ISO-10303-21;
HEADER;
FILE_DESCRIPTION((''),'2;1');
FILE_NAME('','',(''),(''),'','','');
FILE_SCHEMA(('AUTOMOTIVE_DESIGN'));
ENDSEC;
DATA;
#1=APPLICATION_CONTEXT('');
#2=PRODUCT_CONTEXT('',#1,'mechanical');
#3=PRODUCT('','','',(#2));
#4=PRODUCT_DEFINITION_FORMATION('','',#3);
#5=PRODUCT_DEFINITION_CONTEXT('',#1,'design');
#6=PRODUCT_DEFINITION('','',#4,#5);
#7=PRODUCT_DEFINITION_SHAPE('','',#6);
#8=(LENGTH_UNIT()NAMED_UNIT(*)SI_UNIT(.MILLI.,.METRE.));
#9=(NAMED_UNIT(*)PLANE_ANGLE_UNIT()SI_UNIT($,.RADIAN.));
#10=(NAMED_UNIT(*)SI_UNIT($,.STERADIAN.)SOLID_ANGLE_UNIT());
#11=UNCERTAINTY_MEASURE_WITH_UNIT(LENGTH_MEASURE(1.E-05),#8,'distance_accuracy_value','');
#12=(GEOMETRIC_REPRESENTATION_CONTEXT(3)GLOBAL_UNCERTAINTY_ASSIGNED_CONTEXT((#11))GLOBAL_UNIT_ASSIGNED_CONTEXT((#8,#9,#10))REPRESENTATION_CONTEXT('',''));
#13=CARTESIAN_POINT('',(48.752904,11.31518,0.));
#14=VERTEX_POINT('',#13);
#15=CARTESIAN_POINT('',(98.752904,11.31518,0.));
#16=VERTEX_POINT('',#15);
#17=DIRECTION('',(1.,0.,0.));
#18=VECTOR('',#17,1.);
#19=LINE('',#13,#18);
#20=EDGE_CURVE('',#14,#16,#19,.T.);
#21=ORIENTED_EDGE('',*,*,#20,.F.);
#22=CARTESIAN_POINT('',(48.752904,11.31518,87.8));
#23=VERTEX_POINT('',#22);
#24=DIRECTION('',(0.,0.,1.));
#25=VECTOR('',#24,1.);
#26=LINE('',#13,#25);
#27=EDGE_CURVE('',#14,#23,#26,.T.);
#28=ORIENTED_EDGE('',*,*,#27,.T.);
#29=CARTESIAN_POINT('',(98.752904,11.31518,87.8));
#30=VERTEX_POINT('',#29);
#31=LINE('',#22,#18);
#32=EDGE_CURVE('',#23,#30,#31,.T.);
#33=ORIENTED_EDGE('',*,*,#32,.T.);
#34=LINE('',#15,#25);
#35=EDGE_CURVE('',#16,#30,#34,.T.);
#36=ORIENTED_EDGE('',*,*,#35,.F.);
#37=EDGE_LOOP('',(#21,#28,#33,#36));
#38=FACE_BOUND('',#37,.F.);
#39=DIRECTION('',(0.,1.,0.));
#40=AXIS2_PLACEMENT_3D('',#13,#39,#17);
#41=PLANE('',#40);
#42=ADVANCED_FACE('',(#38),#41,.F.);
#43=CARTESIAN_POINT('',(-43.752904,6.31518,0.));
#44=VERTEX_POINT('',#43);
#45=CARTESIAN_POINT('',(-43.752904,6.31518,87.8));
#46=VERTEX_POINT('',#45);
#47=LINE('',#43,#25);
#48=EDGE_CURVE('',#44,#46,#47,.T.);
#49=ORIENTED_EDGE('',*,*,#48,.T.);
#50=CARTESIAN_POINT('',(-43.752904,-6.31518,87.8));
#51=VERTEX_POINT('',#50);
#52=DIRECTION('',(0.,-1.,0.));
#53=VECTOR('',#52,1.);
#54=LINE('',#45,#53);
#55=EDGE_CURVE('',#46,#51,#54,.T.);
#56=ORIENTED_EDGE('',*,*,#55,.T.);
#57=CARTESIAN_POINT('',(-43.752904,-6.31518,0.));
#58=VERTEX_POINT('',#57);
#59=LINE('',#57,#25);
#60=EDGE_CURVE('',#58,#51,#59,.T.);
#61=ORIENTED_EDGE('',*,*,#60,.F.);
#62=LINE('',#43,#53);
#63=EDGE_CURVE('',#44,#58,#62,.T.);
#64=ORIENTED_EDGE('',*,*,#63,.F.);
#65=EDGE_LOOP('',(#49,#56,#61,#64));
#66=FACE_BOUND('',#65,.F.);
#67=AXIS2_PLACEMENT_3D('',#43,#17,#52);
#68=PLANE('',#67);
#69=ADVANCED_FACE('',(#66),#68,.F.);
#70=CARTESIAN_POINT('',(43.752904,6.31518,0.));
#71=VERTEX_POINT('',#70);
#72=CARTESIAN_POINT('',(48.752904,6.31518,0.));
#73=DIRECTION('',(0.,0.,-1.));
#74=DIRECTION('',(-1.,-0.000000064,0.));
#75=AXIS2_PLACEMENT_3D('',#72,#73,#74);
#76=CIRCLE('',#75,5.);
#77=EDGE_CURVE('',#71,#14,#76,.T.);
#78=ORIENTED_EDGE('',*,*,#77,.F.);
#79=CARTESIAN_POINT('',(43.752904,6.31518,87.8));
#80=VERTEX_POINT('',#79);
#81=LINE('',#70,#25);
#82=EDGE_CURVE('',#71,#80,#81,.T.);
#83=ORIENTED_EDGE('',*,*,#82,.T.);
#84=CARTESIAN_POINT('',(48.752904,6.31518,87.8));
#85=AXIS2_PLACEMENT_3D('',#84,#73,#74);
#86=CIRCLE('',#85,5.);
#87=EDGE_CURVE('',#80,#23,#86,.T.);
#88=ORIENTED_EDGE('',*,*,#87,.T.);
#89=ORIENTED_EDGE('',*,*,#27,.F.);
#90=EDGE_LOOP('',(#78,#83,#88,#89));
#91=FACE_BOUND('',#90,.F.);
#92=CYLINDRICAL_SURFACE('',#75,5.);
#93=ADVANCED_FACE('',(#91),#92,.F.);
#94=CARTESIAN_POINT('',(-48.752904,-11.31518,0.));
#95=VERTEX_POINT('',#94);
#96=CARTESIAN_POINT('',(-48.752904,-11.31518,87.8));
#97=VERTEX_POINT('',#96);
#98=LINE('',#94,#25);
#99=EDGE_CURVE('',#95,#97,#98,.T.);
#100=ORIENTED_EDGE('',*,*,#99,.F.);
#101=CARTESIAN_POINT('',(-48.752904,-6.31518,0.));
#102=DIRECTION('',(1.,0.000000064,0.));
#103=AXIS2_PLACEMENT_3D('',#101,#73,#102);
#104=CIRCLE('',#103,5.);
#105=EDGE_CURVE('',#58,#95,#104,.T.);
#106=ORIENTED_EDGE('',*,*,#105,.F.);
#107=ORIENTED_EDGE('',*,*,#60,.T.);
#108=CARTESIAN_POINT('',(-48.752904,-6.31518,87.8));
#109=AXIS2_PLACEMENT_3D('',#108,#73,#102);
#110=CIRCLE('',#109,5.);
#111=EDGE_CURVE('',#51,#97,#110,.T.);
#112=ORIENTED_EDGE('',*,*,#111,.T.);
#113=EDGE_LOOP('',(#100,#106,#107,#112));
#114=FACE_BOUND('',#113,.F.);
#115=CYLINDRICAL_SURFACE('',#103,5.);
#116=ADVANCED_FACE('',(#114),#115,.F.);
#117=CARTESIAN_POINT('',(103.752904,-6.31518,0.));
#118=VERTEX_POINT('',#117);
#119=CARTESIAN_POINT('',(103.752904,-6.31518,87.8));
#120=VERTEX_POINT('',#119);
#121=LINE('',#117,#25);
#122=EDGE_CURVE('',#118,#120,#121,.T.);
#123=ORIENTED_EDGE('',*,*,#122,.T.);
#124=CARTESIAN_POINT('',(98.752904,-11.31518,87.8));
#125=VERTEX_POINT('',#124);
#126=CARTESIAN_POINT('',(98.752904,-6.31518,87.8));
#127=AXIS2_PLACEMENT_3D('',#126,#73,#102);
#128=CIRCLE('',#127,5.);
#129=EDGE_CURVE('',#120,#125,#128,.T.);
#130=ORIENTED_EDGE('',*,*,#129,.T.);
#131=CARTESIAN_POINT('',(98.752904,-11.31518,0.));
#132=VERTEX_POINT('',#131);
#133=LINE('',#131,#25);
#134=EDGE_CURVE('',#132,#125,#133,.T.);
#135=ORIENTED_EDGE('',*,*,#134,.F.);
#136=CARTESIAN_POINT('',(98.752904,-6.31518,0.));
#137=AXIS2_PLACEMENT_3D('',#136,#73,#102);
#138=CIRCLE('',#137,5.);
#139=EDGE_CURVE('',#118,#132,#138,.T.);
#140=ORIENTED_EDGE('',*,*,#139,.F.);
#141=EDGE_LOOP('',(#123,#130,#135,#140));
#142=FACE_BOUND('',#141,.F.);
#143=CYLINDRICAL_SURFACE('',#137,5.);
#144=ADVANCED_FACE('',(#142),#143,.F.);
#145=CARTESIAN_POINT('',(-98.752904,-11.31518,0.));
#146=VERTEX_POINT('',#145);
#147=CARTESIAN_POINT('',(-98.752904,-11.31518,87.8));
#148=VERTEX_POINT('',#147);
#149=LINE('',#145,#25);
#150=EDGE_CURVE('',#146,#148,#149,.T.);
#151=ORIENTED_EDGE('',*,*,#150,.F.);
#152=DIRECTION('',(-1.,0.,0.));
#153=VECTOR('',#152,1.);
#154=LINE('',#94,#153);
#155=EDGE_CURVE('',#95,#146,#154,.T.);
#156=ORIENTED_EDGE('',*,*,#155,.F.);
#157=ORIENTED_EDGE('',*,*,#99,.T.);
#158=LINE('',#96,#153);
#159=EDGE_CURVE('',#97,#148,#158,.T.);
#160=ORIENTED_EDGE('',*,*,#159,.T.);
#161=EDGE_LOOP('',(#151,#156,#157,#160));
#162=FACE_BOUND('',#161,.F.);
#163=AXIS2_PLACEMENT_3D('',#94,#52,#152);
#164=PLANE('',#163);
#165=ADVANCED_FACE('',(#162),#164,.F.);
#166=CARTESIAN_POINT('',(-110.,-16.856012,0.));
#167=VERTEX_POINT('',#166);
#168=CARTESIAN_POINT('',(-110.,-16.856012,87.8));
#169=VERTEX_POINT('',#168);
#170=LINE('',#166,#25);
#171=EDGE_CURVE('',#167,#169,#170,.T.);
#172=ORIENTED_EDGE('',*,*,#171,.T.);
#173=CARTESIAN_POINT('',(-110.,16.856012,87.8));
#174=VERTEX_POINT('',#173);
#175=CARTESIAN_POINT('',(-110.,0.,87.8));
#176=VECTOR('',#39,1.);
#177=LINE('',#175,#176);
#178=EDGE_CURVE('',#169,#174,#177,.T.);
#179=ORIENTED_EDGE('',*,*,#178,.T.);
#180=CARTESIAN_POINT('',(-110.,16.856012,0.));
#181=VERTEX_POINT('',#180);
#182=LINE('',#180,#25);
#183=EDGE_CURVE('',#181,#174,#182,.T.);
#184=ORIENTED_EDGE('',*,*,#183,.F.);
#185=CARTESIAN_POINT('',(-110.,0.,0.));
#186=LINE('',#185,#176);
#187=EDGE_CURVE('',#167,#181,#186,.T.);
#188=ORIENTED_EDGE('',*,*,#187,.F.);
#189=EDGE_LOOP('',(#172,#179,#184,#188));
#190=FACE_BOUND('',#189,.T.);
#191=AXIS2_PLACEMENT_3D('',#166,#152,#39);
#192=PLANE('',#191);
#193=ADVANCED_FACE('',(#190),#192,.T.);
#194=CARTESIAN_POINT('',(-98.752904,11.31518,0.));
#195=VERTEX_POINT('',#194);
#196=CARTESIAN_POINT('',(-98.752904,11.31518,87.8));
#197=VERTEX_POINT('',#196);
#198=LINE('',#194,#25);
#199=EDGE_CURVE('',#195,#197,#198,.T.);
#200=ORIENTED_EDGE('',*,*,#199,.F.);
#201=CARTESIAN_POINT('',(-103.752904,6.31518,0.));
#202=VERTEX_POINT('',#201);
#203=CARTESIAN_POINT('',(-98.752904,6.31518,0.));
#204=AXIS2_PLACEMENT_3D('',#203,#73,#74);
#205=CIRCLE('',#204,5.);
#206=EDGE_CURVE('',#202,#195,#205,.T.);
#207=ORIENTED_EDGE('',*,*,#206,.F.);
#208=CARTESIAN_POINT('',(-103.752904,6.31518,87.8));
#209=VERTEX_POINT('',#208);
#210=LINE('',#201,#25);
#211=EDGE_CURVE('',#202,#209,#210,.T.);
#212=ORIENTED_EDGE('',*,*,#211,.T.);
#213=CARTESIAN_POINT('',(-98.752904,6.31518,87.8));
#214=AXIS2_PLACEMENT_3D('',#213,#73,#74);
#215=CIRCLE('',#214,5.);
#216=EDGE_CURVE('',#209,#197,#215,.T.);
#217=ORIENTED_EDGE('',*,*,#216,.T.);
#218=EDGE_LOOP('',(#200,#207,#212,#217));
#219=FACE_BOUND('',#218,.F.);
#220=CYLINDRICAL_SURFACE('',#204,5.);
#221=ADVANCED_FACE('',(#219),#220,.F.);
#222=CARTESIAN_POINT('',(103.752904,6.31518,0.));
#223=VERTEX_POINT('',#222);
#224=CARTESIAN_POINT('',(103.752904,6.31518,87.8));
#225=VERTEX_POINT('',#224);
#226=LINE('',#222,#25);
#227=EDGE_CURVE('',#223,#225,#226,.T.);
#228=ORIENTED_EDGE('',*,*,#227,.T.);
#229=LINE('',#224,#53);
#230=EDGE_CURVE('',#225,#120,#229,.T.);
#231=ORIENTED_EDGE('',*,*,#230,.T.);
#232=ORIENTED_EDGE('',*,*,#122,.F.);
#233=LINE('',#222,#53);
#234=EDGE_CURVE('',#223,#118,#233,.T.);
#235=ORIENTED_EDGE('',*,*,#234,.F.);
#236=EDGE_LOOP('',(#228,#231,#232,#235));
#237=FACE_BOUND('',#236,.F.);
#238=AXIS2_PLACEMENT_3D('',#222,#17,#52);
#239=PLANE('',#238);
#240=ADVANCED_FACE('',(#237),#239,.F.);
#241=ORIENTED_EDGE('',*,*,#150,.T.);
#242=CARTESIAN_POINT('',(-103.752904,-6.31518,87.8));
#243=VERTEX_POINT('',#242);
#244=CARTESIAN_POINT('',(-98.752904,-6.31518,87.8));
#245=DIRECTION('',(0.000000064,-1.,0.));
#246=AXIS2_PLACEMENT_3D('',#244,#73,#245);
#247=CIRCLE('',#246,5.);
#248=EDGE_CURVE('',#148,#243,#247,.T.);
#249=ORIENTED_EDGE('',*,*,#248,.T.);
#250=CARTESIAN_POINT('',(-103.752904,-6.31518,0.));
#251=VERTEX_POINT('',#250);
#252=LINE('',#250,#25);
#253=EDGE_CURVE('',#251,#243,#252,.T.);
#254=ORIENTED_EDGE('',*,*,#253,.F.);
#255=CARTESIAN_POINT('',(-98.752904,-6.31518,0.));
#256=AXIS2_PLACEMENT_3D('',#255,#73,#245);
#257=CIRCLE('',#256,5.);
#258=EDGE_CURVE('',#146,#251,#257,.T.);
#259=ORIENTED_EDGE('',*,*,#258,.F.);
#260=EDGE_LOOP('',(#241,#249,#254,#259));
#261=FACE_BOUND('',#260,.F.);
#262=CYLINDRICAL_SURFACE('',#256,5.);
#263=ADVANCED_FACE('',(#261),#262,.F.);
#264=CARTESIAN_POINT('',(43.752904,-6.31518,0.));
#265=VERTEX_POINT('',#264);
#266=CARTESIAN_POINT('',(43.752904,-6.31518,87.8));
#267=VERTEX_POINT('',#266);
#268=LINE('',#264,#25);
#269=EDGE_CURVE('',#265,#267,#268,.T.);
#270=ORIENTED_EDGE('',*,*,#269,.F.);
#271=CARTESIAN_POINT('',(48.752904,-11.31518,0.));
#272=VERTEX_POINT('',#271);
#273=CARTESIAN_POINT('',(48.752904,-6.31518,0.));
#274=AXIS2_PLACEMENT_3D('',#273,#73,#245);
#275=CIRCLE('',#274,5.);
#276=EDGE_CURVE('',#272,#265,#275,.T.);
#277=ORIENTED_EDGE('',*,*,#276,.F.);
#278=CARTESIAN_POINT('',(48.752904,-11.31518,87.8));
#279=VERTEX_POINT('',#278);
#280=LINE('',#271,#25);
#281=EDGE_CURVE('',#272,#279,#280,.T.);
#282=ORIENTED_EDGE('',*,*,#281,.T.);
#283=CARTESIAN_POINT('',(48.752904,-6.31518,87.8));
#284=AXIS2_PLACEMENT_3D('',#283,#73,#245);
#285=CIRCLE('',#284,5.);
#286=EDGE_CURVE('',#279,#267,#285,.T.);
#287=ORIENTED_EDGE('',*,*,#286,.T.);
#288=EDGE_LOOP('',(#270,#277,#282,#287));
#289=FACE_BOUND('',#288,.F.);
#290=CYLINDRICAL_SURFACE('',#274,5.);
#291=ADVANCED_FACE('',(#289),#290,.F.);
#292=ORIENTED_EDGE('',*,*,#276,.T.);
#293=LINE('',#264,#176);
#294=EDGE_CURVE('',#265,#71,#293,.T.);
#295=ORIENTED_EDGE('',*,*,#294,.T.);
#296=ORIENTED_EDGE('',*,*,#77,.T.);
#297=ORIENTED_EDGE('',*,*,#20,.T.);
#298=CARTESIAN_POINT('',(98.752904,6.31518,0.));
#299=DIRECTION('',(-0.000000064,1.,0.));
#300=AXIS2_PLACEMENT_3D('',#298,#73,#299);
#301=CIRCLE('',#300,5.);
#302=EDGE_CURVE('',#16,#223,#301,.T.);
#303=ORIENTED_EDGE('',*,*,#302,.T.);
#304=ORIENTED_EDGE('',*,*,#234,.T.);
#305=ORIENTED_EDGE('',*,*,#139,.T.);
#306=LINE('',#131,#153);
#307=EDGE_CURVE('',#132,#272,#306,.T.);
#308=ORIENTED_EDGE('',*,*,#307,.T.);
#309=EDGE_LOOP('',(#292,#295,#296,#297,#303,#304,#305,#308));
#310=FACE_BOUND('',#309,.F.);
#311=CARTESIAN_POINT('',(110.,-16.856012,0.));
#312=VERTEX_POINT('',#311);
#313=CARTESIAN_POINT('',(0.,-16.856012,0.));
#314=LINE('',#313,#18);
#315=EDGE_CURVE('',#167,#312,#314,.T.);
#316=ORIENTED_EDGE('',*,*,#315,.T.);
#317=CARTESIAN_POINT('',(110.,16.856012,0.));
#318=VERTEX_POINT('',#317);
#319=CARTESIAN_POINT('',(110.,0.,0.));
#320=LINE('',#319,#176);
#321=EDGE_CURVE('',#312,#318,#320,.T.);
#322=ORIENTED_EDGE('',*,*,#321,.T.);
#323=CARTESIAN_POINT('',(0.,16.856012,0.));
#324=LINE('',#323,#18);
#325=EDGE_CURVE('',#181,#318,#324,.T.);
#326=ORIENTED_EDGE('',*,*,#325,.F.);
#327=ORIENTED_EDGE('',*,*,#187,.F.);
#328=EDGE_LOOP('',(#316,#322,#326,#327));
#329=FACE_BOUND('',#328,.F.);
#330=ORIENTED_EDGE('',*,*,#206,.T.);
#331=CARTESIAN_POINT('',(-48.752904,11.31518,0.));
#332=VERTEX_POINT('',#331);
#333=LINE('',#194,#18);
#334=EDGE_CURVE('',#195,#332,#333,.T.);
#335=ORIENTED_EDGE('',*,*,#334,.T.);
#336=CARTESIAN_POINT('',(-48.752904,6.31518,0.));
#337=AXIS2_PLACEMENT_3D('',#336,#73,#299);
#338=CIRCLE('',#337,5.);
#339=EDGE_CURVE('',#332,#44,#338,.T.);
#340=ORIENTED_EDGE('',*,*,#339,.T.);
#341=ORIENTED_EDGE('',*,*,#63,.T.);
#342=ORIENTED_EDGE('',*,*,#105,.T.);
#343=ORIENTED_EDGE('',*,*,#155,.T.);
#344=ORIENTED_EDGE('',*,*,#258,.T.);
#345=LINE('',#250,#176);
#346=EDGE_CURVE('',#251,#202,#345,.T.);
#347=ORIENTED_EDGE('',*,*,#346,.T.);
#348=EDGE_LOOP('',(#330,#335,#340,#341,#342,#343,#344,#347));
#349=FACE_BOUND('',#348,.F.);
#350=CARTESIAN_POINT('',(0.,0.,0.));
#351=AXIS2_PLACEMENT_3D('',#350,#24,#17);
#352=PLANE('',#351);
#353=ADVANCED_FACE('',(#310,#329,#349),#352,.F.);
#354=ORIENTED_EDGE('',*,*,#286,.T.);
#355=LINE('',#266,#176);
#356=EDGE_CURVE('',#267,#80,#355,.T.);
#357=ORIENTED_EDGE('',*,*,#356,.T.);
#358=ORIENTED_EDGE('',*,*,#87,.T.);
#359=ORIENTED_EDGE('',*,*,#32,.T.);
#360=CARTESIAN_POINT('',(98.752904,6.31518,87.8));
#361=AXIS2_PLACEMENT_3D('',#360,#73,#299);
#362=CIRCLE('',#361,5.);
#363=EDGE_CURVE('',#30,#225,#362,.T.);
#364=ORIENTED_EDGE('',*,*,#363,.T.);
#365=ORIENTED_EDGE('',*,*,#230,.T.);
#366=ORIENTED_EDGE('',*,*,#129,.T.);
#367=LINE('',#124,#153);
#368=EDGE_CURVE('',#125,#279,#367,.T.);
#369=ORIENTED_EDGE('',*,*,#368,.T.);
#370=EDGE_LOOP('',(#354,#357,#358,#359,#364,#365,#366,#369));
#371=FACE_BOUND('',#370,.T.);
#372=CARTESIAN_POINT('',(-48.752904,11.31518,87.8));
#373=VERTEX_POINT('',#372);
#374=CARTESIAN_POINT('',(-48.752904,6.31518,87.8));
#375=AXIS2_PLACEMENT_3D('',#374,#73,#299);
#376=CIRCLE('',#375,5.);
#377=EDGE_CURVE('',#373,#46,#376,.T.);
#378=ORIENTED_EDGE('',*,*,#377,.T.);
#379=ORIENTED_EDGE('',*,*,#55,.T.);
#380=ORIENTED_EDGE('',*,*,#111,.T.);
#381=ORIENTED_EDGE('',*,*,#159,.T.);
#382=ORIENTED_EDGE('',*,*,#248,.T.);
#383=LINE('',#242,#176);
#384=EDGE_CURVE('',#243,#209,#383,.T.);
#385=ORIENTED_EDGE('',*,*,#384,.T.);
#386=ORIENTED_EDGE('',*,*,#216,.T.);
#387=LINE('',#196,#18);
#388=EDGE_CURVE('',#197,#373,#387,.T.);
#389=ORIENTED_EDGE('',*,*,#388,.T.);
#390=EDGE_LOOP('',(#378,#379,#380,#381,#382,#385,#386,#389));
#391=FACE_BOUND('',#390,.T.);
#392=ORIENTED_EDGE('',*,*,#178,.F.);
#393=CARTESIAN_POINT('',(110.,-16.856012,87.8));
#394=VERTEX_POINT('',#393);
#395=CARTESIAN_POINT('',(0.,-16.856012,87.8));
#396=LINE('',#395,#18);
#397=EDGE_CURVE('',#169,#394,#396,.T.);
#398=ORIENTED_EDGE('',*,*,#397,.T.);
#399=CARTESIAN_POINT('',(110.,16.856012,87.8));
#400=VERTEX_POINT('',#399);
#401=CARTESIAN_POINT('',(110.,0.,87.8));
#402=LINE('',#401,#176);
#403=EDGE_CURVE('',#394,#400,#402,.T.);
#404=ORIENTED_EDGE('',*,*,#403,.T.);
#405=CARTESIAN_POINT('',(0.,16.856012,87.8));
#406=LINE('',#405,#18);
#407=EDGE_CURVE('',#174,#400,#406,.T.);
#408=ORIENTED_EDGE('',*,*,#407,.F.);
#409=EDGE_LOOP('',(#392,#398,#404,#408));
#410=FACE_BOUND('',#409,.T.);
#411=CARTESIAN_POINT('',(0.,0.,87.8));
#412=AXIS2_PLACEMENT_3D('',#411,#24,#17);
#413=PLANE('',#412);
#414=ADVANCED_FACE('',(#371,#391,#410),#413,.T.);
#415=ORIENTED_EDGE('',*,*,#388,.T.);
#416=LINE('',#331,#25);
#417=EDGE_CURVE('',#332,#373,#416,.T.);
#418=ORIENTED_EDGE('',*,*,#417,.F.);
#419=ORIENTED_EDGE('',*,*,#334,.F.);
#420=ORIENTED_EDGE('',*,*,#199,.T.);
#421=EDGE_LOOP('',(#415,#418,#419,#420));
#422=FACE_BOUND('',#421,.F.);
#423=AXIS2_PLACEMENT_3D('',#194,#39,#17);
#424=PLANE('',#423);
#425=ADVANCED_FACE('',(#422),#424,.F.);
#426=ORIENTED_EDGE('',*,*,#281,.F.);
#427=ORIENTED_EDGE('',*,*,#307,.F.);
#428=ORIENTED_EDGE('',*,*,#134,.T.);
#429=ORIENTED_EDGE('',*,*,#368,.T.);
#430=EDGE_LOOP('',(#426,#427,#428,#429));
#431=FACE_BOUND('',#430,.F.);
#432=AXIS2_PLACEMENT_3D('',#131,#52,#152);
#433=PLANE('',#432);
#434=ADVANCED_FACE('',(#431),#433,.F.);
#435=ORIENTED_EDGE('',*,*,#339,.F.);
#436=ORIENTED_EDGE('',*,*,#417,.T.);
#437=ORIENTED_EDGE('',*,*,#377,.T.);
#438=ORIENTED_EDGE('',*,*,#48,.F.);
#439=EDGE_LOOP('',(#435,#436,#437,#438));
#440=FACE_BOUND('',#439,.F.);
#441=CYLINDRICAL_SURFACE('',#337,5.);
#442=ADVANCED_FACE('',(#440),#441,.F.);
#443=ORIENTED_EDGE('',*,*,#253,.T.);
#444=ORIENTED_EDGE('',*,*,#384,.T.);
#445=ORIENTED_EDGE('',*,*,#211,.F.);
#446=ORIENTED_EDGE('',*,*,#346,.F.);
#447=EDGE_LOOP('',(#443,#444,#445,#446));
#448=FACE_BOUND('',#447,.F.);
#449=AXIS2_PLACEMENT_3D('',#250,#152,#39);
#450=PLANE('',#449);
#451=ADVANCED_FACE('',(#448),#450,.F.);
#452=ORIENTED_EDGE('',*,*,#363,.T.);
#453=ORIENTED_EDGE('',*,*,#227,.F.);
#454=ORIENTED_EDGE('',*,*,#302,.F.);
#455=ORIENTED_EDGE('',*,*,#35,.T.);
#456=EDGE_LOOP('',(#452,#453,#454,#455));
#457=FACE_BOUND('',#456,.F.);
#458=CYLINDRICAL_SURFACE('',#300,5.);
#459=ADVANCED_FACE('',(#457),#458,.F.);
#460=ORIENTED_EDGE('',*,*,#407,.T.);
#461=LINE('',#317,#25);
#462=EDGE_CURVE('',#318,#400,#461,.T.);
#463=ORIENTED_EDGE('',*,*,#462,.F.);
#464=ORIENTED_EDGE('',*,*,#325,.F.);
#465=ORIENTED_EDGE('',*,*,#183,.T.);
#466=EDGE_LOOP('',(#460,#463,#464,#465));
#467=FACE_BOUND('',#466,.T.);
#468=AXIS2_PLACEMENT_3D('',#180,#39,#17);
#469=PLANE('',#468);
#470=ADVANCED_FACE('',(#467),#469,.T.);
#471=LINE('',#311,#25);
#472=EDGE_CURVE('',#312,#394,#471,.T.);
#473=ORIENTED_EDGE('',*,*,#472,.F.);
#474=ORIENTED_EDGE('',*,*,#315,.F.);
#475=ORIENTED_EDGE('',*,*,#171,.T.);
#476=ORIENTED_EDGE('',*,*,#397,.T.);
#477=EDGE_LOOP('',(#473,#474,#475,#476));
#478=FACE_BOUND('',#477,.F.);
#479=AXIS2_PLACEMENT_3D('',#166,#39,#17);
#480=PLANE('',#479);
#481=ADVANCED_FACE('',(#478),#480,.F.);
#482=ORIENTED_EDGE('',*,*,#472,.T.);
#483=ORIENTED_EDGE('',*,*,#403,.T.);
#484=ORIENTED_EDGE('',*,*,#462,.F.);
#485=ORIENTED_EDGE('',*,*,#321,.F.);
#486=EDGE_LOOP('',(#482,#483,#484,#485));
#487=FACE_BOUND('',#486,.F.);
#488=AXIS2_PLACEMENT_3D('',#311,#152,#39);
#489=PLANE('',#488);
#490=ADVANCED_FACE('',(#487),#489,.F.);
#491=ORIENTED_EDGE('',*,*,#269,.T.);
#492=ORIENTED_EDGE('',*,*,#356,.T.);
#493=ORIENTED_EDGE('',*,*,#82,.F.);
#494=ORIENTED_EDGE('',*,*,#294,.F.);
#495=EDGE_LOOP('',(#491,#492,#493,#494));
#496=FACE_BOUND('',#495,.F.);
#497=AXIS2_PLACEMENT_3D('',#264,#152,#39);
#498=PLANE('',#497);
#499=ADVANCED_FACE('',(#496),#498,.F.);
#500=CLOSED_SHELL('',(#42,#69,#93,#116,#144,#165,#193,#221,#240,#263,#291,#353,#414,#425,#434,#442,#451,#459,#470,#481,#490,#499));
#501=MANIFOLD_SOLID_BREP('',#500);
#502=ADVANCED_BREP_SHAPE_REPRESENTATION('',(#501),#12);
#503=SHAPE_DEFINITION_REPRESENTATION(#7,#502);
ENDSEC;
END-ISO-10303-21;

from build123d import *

# Parameters (mm, degrees)
F0_W     = 220
F0_H     = 33.712024
F1_DEPTH = 87.8


with BuildPart() as f1:
    # F0 (on Top) → F1 (new body)
    with BuildSketch(Plane.XY):
        Rectangle(F0_W, F0_H)
        with BuildLine():
            Line((-98.752904, 11.31518), (-48.752904, 11.31518))
            ThreePointArc((-48.752904, 11.31518), (-45.21737, 9.850714), (-43.752904, 6.31518))
            Line((-43.752904, 6.31518), (-43.752904, -6.31518))
            ThreePointArc((-43.752904, -6.31518), (-45.21737, -9.850714), (-48.752904, -11.31518))
            Line((-48.752904, -11.31518), (-98.752904, -11.31518))
            ThreePointArc((-98.752904, -11.31518), (-102.288438, -9.850714), (-103.752904, -6.31518))
            Line((-103.752904, -6.31518), (-103.752904, 6.31518))
            ThreePointArc((-103.752904, 6.31518), (-102.288438, 9.850714), (-98.752904, 11.31518))
        make_face(mode=Mode.SUBTRACT)
        with BuildLine():
            ThreePointArc((98.752904, 11.31518), (102.288438, 9.850714), (103.752904, 6.31518))
            Line((103.752904, 6.31518), (103.752904, -6.31518))
            ThreePointArc((103.752904, -6.31518), (102.288438, -9.850714), (98.752904, -11.31518))
            Line((98.752904, -11.31518), (48.752904, -11.31518))
            ThreePointArc((48.752904, -11.31518), (45.21737, -9.850714), (43.752904, -6.31518))
            Line((43.752904, -6.31518), (43.752904, 6.31518))
            ThreePointArc((43.752904, 6.31518), (45.21737, 9.850714), (48.752904, 11.31518))
            Line((48.752904, 11.31518), (98.752904, 11.31518))
        make_face(mode=Mode.SUBTRACT)
    extrude(amount=F1_DEPTH)


solid = f1.part
